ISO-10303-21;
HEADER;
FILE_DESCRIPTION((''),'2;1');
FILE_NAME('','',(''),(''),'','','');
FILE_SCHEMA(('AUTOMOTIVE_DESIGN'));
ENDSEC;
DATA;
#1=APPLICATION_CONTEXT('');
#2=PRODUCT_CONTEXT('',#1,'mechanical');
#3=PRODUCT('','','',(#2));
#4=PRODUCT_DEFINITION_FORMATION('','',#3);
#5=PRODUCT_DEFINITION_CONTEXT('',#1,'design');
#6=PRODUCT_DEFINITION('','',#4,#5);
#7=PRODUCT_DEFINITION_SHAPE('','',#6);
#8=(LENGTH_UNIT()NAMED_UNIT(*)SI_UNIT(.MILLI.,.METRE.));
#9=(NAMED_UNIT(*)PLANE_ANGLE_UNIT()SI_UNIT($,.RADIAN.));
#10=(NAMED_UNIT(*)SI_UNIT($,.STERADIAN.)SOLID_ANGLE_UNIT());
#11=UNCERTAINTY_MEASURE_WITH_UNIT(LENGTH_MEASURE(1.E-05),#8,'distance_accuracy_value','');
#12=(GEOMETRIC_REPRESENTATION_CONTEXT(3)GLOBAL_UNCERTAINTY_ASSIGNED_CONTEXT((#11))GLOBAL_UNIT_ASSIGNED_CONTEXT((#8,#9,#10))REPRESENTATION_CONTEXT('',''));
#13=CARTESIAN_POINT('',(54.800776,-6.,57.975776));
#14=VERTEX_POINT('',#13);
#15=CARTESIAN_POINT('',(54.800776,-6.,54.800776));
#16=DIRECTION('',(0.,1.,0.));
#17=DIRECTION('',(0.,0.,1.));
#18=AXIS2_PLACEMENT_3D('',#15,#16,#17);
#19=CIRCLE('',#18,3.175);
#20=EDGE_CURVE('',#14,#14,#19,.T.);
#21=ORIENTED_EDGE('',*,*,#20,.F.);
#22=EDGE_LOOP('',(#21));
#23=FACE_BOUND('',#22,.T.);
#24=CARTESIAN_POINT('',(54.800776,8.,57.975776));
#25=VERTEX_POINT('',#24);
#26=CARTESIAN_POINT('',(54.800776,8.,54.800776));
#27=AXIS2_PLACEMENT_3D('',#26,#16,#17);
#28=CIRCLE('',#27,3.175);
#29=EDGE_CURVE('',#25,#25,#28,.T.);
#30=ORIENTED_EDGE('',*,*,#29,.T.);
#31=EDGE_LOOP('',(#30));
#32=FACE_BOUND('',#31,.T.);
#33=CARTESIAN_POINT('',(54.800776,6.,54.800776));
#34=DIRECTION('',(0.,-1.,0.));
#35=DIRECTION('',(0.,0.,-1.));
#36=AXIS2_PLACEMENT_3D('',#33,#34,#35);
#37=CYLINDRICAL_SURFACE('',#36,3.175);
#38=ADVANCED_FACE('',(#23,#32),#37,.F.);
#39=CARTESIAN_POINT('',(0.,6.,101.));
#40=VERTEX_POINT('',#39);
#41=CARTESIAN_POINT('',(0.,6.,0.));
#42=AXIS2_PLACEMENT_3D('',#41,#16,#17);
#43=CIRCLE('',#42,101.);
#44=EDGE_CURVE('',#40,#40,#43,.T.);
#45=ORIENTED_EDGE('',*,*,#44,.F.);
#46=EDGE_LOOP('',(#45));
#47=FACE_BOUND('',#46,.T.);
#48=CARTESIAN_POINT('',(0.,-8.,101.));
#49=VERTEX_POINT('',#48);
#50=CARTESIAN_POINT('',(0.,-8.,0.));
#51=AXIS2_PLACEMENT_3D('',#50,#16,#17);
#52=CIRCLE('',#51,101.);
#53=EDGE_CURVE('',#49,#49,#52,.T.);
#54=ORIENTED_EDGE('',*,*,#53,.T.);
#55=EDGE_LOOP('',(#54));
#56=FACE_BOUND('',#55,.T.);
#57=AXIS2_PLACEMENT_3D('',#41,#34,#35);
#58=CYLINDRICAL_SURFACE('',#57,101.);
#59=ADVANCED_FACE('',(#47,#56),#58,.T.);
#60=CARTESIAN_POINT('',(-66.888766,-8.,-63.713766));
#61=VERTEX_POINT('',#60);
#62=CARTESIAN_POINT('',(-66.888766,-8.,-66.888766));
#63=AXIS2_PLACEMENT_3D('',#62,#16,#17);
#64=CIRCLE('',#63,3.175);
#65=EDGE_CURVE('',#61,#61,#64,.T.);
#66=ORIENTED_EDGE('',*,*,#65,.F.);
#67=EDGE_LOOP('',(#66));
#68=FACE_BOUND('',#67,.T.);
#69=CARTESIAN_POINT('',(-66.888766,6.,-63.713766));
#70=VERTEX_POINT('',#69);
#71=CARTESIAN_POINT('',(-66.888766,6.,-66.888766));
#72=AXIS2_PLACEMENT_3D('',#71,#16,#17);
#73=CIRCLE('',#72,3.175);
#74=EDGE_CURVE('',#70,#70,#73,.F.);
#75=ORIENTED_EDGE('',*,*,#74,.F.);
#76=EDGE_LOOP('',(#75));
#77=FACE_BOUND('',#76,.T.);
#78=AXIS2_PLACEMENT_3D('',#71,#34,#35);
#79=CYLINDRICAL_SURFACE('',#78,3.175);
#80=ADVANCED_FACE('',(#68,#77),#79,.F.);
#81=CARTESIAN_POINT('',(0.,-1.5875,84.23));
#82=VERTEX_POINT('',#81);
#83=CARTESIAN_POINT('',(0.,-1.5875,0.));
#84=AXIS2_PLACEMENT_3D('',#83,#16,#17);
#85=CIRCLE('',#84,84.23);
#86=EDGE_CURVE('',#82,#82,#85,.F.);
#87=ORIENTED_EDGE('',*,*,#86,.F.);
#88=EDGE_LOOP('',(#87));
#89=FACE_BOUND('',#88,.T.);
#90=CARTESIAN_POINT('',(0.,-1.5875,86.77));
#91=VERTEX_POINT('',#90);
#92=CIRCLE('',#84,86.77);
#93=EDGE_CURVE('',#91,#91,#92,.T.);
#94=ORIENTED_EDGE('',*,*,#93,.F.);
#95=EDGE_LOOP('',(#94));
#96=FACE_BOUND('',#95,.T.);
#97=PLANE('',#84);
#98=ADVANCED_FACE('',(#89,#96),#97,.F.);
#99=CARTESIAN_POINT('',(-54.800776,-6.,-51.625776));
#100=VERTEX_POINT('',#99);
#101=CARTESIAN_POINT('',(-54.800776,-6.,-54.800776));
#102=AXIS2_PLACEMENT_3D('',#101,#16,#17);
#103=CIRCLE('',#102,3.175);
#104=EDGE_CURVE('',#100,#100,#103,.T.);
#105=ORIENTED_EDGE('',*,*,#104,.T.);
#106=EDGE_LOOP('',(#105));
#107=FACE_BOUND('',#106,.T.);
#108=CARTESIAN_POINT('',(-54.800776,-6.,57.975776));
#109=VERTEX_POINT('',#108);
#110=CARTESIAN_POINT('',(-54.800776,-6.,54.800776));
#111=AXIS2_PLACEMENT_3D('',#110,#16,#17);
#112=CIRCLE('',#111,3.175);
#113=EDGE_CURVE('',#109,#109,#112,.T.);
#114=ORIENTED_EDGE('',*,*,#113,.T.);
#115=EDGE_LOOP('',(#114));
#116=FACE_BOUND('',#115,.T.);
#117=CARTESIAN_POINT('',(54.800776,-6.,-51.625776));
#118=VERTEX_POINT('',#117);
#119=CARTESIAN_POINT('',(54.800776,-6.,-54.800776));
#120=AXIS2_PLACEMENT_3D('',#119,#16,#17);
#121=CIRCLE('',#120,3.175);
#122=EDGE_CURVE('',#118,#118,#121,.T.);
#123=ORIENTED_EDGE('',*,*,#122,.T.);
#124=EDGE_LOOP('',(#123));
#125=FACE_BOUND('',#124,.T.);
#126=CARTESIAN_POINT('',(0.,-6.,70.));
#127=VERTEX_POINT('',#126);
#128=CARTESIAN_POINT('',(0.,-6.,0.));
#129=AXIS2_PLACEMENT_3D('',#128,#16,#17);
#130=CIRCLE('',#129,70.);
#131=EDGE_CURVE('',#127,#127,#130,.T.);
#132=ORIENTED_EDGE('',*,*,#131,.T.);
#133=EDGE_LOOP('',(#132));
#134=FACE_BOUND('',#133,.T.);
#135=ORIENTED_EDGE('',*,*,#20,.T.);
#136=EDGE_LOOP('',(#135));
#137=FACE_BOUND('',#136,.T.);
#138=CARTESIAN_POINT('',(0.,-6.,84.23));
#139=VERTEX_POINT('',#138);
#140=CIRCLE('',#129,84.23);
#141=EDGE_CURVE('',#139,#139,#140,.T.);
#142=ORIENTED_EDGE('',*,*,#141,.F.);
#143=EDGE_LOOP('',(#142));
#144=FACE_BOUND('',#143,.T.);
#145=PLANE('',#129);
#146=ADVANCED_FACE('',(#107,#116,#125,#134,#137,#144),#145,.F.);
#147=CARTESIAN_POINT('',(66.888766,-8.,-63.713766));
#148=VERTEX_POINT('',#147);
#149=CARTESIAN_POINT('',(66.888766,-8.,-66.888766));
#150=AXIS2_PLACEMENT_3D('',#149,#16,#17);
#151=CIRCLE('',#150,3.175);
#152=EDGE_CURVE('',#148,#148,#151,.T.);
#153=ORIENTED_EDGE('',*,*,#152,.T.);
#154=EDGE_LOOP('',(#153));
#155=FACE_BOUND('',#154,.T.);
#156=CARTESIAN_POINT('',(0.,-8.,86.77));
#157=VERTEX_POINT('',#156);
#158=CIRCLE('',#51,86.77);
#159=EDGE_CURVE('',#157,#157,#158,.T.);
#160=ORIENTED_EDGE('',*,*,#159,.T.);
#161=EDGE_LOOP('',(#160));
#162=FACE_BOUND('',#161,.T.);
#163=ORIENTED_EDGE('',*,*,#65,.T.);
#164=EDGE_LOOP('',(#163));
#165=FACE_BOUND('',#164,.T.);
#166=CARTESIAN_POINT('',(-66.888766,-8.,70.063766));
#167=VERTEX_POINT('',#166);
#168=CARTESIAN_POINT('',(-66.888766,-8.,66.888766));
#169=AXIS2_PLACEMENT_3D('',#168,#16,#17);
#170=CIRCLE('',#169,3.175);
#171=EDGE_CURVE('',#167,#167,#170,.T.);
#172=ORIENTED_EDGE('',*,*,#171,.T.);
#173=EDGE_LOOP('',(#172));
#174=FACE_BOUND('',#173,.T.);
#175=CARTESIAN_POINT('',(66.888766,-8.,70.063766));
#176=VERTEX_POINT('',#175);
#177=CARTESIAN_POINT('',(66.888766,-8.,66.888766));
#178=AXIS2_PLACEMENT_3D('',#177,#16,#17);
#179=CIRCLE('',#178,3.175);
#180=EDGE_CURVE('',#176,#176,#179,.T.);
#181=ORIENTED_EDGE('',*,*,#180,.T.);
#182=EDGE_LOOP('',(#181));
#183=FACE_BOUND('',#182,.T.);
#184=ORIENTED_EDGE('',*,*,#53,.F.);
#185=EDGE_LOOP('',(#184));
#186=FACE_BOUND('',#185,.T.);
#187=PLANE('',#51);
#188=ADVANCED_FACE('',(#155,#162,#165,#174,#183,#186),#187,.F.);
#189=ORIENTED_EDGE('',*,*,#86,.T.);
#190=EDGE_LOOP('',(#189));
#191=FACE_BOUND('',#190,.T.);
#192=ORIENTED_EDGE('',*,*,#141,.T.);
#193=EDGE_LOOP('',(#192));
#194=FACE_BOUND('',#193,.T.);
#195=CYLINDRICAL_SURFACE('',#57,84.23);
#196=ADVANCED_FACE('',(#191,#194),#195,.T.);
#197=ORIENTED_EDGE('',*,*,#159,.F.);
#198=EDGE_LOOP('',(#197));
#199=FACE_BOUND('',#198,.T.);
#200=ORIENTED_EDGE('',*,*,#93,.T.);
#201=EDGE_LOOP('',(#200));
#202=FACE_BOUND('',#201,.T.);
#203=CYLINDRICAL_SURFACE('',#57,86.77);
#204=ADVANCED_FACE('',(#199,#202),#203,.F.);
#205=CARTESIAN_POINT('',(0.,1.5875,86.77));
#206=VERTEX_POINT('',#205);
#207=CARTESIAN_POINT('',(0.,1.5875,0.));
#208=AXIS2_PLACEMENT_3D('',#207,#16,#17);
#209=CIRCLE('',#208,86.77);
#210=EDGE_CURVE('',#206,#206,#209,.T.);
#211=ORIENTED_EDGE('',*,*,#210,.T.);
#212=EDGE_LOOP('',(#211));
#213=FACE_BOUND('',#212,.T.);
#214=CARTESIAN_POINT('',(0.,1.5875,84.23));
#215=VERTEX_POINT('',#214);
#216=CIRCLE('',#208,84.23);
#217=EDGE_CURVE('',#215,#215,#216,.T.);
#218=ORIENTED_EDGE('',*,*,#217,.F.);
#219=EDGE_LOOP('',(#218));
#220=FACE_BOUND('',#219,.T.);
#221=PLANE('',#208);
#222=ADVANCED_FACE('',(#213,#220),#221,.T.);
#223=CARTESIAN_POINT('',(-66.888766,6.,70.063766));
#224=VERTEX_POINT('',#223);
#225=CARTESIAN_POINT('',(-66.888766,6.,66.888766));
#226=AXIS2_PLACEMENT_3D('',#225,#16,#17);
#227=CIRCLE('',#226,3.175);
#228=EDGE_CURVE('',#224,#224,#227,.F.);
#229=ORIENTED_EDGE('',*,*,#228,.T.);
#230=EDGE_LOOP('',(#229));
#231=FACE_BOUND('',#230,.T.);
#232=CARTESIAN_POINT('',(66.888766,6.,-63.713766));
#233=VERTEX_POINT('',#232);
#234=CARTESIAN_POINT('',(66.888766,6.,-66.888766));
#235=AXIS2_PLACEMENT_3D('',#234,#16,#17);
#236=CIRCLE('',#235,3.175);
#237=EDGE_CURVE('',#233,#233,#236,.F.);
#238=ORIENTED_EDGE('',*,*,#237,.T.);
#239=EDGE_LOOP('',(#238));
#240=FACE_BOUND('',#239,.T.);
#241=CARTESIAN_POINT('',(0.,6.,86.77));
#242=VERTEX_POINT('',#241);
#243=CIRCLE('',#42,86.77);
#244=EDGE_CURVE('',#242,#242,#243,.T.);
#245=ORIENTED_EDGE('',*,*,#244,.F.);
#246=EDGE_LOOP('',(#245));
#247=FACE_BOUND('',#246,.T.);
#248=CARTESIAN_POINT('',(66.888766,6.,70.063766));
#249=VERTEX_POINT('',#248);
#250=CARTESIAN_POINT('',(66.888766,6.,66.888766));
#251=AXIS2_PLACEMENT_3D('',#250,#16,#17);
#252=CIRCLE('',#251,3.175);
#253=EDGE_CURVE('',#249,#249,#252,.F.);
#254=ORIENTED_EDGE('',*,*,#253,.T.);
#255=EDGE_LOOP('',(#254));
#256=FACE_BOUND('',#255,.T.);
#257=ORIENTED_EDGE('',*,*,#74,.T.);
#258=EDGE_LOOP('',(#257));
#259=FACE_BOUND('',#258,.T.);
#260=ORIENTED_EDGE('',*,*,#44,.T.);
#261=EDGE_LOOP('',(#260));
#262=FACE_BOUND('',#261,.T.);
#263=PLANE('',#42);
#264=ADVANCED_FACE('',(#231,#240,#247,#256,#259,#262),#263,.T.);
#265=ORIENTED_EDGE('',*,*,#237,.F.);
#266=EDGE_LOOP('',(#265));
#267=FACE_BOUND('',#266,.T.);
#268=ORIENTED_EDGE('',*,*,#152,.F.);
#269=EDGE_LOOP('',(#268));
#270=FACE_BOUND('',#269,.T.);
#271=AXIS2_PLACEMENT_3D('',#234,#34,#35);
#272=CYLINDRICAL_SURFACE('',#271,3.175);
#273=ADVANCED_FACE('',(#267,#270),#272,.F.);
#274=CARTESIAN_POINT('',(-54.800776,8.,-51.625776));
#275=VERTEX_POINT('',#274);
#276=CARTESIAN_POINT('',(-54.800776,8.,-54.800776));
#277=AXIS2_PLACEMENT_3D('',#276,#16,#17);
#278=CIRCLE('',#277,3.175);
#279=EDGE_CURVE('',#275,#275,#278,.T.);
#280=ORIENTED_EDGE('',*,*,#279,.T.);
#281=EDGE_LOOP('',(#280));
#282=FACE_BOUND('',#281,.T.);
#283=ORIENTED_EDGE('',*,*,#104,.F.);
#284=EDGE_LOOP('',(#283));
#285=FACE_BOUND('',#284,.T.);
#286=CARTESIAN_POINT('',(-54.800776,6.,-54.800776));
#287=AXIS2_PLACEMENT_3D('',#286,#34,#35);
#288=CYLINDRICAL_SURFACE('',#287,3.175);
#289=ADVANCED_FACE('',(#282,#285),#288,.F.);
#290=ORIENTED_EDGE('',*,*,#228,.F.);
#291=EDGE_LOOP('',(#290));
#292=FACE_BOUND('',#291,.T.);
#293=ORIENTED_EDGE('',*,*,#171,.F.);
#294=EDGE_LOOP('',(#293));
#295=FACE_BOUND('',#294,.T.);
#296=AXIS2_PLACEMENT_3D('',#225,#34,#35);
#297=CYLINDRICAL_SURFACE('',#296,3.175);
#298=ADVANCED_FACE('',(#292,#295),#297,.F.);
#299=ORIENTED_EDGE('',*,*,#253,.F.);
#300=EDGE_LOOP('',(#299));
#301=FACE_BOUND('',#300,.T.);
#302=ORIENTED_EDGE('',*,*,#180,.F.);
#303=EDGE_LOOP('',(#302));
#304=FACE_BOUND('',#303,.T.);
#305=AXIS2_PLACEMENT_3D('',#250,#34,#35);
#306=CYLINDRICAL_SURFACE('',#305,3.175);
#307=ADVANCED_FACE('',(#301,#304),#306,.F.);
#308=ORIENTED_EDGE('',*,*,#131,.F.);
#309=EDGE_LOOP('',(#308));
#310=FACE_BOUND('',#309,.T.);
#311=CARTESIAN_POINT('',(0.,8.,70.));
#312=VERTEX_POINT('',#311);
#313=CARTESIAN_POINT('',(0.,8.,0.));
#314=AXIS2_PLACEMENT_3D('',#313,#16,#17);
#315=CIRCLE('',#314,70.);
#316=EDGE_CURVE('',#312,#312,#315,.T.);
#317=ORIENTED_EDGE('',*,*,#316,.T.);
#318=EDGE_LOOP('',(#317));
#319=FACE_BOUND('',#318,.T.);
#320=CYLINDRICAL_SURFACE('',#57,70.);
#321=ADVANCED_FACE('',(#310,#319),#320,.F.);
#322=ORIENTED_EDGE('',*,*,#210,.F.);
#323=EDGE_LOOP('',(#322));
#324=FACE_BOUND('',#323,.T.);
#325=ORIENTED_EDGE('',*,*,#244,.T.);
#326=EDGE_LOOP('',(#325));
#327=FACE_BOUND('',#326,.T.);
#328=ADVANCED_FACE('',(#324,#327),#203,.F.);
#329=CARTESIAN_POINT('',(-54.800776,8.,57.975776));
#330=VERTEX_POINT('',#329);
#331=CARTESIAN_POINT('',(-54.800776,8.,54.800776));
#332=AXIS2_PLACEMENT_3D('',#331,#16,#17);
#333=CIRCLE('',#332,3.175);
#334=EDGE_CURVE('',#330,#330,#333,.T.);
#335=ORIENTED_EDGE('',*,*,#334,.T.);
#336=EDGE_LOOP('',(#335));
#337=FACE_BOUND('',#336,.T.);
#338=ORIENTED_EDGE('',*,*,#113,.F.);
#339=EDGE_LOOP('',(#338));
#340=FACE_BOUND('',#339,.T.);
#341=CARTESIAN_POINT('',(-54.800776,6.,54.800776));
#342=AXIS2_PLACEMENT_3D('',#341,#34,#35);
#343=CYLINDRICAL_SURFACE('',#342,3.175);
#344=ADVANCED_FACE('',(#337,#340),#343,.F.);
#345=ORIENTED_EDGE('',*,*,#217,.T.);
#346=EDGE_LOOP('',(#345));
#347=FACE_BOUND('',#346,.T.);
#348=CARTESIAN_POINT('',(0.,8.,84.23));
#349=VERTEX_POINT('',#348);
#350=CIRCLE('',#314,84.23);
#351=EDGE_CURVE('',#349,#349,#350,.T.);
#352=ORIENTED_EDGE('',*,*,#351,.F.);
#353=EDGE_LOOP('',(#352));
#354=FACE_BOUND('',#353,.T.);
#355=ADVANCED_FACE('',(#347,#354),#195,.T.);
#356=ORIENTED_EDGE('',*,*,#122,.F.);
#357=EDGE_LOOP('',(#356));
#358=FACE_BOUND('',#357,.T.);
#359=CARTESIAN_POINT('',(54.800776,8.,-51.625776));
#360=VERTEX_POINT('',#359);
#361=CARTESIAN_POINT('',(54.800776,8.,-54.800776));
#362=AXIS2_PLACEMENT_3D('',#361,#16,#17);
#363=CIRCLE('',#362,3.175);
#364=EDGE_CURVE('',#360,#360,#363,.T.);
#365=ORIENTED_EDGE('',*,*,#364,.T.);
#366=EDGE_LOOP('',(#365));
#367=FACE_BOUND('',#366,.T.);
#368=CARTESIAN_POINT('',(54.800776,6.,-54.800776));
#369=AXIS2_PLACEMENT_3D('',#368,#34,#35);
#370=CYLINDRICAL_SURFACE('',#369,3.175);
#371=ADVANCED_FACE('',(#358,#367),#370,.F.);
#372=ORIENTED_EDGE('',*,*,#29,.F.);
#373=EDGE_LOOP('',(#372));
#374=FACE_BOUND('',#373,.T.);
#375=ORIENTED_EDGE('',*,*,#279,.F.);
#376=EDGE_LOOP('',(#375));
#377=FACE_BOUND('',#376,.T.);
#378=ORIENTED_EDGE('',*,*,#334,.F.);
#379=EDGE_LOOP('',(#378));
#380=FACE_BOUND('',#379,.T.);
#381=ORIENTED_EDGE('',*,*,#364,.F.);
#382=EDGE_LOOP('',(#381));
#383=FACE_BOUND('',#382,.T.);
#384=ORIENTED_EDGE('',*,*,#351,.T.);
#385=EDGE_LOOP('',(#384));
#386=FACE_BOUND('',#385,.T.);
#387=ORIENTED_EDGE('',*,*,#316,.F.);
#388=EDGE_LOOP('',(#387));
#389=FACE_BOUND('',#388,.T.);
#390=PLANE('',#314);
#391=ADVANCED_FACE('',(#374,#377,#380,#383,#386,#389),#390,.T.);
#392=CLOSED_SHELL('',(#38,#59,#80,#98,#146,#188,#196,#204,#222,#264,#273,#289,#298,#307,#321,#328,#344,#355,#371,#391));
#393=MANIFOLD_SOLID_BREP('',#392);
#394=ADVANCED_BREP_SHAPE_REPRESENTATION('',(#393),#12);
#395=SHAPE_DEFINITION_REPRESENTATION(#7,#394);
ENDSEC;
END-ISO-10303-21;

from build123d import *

# Parameters (mm, degrees)
SKETCH1_R             = 101
SKETCH1_R_2           = 3.175
SKETCH1_R_3           = 86.77
BOSS_EXTRUDE1_DEPTH   = 6
SKETCH1_R_4           = 84.23
SKETCH1_R_5           = 70
BOSS_EXTRUDE1_2_DEPTH = 6
SKETCH1_3_R           = 86.77
SKETCH1_3_R_2         = 84.23
BOSS_EXTRUDE2_DEPTH   = 1.5875
BOSS_EXTRUDE3_START   = 6
SKETCH1_4_R           = 84.23
SKETCH1_4_R_2         = 3.175
SKETCH1_4_R_3         = 70
BOSS_EXTRUDE3_DEPTH   = 2
BOSS_EXTRUDE4_START   = -8
SKETCH1_5_R           = 101
SKETCH1_5_R_2         = 3.175
SKETCH1_5_R_3         = 86.77
BOSS_EXTRUDE4_DEPTH   = 2


with BuildPart() as part:
    # Sketch1 → Boss-Extrude1 (new, symmetric)
    with BuildSketch(Plane(origin=(0, 0, 0), x_dir=(1, 0, 0), z_dir=(0, 1, 0))):
        with Locations(Location((0, 0, 0), (0, 0, 270))):
            Circle(SKETCH1_R)
        with Locations(Location((-66.888765966, -66.888765966, 0), (0, 0, 270))):
            Circle(SKETCH1_R_2, mode=Mode.SUBTRACT)
        with Locations(Location((66.888765966, 66.888765966, 0), (0, 0, 270))):
            Circle(SKETCH1_R_2, mode=Mode.SUBTRACT)
        with Locations(Location((0, 0, 0), (0, 0, 270))):
            Circle(SKETCH1_R_3, mode=Mode.SUBTRACT)
        with Locations(Location((66.888765966, -66.888765966, 0), (0, 0, 270))):
            Circle(SKETCH1_R_2, mode=Mode.SUBTRACT)
        with Locations(Location((-66.888765966, 66.888765966, 0), (0, 0, 270))):
            Circle(SKETCH1_R_2, mode=Mode.SUBTRACT)
    extrude(amount=BOSS_EXTRUDE1_DEPTH, both=True)



with BuildPart() as body_2:
    # Sketch1 → Boss-Extrude1 2 (new, symmetric)
    with BuildSketch(Plane(origin=(0, 0, 0), x_dir=(1, 0, 0), z_dir=(0, 1, 0))):
        with Locations(Location((0, 0, 0), (0, 0, 270))):
            Circle(SKETCH1_R_4)
        with Locations(Location((-54.800775542, 54.800775542, 0), (0, 0, 270))):
            Circle(SKETCH1_R_2, mode=Mode.SUBTRACT)
        with Locations(Location((-54.800775542, -54.800775542, 0), (0, 0, 270))):
            Circle(SKETCH1_R_2, mode=Mode.SUBTRACT)
        with Locations(Location((54.800775542, -54.800775542, 0), (0, 0, 270))):
            Circle(SKETCH1_R_2, mode=Mode.SUBTRACT)
        with Locations(Location((54.800775542, 54.800775542, 0), (0, 0, 270))):
            Circle(SKETCH1_R_2, mode=Mode.SUBTRACT)
        with Locations(Location((0, 0, 0), (0, 0, 270))):
            Circle(SKETCH1_R_5, mode=Mode.SUBTRACT)
    extrude(amount=BOSS_EXTRUDE1_2_DEPTH, both=True)


with BuildPart() as part_1:
    add(part.part)

    add(body_2.part)  # Boss-Extrude2 merges body 2
    # Sketch1<3> → Boss-Extrude2 (add, symmetric)
    with BuildSketch(Plane(origin=(0, 0, 0), x_dir=(1, 0, 0), z_dir=(0, 1, 0))):
        with Locations(Location((0, 0, 0), (0, 0, 270))):
            Circle(SKETCH1_3_R)
        with Locations(Location((0, 0, 0), (0, 0, 270))):
            Circle(SKETCH1_3_R_2, mode=Mode.SUBTRACT)
    extrude(amount=BOSS_EXTRUDE2_DEPTH, both=True)

    # Sketch1<4> → Boss-Extrude3 (add)
    with BuildSketch(Plane(origin=(0, 0, 0), x_dir=(1, 0, 0), z_dir=(0, 1, 0)).offset(BOSS_EXTRUDE3_START)):
        with Locations(Location((0, 0, 0), (0, 0, 270))):
            Circle(SKETCH1_4_R)
        with Locations(Location((-54.800775542, 54.800775542, 0), (0, 0, 270))):
            Circle(SKETCH1_4_R_2, mode=Mode.SUBTRACT)
        with Locations(Location((-54.800775542, -54.800775542, 0), (0, 0, 270))):
            Circle(SKETCH1_4_R_2, mode=Mode.SUBTRACT)
        with Locations(Location((54.800775542, -54.800775542, 0), (0, 0, 270))):
            Circle(SKETCH1_4_R_2, mode=Mode.SUBTRACT)
        with Locations(Location((54.800775542, 54.800775542, 0), (0, 0, 270))):
            Circle(SKETCH1_4_R_2, mode=Mode.SUBTRACT)
        with Locations(Location((0, 0, 0), (0, 0, 270))):
            Circle(SKETCH1_4_R_3, mode=Mode.SUBTRACT)
    extrude(amount=BOSS_EXTRUDE3_DEPTH)

    # Sketch1<5> → Boss-Extrude4 (add)
    with BuildSketch(Plane(origin=(0, 0, 0), x_dir=(1, 0, 0), z_dir=(0, 1, 0)).offset(BOSS_EXTRUDE4_START)):
        with Locations(Location((0, 0, 0), (0, 0, 270))):
            Circle(SKETCH1_5_R)
        with Locations(Location((-66.888765966, -66.888765966, 0), (0, 0, 270))):
            Circle(SKETCH1_5_R_2, mode=Mode.SUBTRACT)
        with Locations(Location((66.888765966, 66.888765966, 0), (0, 0, 270))):
            Circle(SKETCH1_5_R_2, mode=Mode.SUBTRACT)
        with Locations(Location((0, 0, 0), (0, 0, 270))):
            Circle(SKETCH1_5_R_3, mode=Mode.SUBTRACT)
        with Locations(Location((66.888765966, -66.888765966, 0), (0, 0, 270))):
            Circle(SKETCH1_5_R_2, mode=Mode.SUBTRACT)
        with Locations(Location((-66.888765966, 66.888765966, 0), (0, 0, 270))):
            Circle(SKETCH1_5_R_2, mode=Mode.SUBTRACT)
    extrude(amount=BOSS_EXTRUDE4_DEPTH)


solid = part_1.part
